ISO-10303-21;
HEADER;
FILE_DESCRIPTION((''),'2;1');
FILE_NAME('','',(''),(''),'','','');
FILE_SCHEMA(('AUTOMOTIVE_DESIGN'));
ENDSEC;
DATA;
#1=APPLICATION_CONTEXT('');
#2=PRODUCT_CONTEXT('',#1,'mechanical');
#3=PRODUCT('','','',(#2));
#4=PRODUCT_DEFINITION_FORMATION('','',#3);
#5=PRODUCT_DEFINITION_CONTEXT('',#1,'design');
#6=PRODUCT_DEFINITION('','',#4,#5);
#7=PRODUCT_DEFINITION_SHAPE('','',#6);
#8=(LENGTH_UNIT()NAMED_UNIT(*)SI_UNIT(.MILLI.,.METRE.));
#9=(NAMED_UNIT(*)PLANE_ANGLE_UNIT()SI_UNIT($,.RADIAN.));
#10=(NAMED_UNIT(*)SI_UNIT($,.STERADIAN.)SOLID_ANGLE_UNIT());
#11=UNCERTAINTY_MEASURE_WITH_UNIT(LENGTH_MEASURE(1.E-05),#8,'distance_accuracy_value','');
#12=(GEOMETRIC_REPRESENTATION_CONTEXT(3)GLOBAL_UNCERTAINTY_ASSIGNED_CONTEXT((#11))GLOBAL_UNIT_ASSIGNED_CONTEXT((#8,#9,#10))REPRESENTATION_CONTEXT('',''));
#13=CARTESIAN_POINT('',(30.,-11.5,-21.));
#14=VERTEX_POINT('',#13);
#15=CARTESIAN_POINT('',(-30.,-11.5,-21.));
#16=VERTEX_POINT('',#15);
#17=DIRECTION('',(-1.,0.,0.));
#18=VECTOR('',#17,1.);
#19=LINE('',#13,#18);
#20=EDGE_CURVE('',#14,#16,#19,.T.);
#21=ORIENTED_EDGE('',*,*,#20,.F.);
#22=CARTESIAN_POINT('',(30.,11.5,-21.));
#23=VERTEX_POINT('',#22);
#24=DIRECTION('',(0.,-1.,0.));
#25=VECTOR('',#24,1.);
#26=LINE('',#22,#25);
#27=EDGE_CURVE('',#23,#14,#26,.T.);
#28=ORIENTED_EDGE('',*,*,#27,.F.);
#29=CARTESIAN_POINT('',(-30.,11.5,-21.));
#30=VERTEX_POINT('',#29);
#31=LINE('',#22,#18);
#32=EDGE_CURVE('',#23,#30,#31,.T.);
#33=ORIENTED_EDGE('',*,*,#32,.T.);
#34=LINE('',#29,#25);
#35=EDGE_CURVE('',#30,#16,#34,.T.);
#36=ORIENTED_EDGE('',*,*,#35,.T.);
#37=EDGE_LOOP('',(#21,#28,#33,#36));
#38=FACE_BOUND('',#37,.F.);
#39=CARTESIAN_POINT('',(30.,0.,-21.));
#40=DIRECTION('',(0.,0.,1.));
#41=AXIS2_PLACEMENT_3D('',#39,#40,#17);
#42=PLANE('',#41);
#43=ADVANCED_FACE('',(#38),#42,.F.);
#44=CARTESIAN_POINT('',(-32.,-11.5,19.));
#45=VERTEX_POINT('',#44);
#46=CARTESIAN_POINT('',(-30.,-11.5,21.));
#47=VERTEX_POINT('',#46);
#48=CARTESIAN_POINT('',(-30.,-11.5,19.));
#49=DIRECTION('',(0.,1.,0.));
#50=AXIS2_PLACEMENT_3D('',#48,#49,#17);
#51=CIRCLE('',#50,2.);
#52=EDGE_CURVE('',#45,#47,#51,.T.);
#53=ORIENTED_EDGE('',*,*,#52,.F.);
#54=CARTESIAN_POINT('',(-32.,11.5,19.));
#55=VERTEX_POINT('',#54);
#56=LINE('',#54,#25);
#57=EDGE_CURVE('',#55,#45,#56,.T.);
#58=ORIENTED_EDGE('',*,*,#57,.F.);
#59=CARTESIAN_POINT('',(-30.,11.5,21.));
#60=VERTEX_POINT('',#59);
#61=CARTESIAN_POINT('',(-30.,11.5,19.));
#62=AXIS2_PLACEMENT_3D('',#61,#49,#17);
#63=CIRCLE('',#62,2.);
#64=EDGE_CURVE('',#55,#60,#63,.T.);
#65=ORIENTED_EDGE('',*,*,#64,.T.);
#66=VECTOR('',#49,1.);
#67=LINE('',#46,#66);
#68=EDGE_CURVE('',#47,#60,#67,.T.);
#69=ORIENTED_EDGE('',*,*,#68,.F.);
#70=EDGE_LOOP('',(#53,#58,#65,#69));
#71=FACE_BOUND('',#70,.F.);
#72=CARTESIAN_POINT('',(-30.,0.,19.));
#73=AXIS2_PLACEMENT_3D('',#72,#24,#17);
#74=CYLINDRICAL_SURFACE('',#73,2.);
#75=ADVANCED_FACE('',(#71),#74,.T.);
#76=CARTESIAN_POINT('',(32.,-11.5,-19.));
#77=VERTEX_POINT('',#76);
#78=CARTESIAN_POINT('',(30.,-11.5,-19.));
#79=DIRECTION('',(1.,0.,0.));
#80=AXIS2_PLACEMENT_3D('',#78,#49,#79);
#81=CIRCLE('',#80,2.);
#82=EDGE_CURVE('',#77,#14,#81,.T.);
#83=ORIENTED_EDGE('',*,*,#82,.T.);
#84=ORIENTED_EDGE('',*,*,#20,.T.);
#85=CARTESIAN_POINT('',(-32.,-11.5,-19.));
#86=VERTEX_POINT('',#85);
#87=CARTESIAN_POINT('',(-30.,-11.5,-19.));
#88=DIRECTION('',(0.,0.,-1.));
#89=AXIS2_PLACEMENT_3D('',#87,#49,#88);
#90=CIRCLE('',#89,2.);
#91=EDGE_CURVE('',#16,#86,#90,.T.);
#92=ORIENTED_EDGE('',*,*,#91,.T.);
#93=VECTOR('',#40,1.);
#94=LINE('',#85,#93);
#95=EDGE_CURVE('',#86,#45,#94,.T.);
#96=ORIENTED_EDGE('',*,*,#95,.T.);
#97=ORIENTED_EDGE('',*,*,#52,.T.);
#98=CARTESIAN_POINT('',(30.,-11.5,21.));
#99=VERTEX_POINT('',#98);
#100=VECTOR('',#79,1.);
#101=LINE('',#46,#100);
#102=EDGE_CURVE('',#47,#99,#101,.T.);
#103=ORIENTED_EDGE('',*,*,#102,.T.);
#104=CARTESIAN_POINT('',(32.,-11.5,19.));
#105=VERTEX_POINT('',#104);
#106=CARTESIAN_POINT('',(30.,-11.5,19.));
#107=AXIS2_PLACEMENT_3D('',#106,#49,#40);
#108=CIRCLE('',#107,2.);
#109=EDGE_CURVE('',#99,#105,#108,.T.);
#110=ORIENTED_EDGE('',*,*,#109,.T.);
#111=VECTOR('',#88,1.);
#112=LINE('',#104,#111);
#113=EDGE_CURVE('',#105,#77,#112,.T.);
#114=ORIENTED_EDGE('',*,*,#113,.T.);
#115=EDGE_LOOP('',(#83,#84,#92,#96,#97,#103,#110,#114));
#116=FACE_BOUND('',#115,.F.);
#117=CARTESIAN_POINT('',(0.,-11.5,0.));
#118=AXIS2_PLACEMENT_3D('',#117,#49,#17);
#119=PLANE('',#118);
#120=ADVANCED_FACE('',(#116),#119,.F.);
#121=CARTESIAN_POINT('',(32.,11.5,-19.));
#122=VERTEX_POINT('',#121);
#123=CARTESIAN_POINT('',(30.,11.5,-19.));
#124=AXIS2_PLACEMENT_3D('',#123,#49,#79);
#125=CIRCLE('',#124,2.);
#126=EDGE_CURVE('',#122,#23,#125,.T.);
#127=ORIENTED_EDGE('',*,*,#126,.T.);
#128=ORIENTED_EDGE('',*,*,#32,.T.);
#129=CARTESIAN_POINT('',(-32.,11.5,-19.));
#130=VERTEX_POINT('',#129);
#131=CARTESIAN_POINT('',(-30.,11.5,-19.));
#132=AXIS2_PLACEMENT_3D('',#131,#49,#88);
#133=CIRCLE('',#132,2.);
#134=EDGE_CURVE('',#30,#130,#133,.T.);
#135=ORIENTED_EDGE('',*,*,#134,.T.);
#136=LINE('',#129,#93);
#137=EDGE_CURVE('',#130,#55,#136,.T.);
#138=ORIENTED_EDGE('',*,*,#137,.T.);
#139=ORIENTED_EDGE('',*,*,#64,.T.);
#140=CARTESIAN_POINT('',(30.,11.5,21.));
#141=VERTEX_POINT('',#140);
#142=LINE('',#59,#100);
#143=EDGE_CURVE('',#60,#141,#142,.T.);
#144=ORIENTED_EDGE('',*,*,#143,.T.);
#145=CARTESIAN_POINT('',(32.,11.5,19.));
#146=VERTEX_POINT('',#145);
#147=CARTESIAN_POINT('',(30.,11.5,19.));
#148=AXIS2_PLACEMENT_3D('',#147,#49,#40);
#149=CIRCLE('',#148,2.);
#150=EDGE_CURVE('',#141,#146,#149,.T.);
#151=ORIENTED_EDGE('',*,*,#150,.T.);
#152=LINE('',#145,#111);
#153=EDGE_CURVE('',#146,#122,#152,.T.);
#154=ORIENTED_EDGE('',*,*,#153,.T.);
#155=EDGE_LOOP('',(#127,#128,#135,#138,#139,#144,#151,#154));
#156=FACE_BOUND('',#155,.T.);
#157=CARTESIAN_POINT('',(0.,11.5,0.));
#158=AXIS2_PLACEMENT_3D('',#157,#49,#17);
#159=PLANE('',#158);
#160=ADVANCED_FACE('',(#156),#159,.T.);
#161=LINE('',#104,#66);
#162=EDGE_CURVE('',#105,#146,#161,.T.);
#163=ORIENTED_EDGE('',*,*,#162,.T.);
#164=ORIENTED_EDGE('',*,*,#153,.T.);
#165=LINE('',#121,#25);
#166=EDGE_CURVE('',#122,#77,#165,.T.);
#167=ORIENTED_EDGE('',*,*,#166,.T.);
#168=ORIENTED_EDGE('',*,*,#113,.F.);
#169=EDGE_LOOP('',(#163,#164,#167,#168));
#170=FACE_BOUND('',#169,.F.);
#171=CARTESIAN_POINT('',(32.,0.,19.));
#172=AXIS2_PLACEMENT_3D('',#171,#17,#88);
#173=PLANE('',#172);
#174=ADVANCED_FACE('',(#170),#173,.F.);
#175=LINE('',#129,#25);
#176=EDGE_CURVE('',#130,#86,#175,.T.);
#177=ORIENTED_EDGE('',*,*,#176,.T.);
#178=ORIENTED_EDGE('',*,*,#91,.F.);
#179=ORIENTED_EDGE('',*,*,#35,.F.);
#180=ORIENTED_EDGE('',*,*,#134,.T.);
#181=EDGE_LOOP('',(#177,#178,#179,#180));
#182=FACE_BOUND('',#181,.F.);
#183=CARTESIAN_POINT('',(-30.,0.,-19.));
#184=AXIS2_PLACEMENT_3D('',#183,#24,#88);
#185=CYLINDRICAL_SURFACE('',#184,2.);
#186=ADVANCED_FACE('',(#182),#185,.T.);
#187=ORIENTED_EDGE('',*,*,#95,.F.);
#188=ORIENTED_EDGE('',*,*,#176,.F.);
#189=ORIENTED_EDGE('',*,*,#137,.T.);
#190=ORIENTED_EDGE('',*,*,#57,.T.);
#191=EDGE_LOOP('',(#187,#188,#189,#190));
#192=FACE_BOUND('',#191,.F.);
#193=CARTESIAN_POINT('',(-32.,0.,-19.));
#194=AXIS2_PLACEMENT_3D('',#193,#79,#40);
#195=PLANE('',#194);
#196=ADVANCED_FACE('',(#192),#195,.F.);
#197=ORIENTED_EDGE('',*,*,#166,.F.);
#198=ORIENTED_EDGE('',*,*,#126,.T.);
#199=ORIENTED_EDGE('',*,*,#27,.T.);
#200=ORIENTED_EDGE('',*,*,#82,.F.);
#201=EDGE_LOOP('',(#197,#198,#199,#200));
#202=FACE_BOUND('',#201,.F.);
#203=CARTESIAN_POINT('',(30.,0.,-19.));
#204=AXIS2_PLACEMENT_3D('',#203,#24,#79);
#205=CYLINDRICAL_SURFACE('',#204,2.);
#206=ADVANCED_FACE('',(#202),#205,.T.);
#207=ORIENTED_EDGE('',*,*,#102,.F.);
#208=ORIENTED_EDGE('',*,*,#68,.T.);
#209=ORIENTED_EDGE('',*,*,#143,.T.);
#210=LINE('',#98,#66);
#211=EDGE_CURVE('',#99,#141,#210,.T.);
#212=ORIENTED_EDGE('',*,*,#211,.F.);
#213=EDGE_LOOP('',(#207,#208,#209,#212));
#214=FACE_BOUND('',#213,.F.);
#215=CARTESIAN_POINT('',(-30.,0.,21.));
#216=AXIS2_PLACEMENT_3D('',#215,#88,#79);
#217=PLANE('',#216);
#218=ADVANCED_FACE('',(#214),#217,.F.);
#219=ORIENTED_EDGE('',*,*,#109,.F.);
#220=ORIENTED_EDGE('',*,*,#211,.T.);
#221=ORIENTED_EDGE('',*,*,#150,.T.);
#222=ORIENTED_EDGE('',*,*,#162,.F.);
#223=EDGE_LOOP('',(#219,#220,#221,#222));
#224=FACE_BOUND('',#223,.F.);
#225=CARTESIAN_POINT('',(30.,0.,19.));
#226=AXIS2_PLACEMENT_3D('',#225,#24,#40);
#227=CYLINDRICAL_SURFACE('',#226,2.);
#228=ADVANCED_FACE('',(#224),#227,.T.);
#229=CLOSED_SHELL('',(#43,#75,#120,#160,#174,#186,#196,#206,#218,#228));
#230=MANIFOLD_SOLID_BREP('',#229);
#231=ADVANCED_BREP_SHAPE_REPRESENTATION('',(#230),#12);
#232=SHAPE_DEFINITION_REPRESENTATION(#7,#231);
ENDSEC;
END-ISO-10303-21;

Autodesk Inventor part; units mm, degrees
ref_plane "YZ Plane" through (0, 0, 0) normal (1, 0, 0) x (0, 1, 0)
ref_plane "XZ Plane" through (0, 0, 0) normal (0, 1, 0) x (-1, 0, 0)
ref_plane "XY Plane" through (0, 0, 0) normal (0, 0, 1) x (1, 0, 0)
sketch "Sketch1" plane through (0, 0, 0) normal (0, 1, 0) x (-1, 0, 0)
  line L0 (30, 21) -> (-30, 21)
  line L1 (-32, 19) -> (-32, -19)
  line L2 (-30, -21) -> (30, -21)
  line L3 (32, -19) -> (32, 19)
  line L4 (32, 21) -> (-32, -21) construction
  line L5 (-32, 21) -> (32, -21) construction
  arc A0 (30, -21) -> (32, -19) centre (30, -19) ccw
  arc A1 (32, 19) -> (30, 21) centre (30, 19) ccw
  arc A2 (-30, 21) -> (-32, 19) centre (-30, 19) ccw
  arc A3 (-32, -19) -> (-30, -21) centre (-30, -19) ccw
  point P0 (0, 0)
  dimension "d0" = 64
  dimension "d1" = 42
  dimension "d2" = 2
extrude "Extrusion1" add sketch "Sketch1" along normal mid plane 23
properties part number "Planets_All" material "Paper"
